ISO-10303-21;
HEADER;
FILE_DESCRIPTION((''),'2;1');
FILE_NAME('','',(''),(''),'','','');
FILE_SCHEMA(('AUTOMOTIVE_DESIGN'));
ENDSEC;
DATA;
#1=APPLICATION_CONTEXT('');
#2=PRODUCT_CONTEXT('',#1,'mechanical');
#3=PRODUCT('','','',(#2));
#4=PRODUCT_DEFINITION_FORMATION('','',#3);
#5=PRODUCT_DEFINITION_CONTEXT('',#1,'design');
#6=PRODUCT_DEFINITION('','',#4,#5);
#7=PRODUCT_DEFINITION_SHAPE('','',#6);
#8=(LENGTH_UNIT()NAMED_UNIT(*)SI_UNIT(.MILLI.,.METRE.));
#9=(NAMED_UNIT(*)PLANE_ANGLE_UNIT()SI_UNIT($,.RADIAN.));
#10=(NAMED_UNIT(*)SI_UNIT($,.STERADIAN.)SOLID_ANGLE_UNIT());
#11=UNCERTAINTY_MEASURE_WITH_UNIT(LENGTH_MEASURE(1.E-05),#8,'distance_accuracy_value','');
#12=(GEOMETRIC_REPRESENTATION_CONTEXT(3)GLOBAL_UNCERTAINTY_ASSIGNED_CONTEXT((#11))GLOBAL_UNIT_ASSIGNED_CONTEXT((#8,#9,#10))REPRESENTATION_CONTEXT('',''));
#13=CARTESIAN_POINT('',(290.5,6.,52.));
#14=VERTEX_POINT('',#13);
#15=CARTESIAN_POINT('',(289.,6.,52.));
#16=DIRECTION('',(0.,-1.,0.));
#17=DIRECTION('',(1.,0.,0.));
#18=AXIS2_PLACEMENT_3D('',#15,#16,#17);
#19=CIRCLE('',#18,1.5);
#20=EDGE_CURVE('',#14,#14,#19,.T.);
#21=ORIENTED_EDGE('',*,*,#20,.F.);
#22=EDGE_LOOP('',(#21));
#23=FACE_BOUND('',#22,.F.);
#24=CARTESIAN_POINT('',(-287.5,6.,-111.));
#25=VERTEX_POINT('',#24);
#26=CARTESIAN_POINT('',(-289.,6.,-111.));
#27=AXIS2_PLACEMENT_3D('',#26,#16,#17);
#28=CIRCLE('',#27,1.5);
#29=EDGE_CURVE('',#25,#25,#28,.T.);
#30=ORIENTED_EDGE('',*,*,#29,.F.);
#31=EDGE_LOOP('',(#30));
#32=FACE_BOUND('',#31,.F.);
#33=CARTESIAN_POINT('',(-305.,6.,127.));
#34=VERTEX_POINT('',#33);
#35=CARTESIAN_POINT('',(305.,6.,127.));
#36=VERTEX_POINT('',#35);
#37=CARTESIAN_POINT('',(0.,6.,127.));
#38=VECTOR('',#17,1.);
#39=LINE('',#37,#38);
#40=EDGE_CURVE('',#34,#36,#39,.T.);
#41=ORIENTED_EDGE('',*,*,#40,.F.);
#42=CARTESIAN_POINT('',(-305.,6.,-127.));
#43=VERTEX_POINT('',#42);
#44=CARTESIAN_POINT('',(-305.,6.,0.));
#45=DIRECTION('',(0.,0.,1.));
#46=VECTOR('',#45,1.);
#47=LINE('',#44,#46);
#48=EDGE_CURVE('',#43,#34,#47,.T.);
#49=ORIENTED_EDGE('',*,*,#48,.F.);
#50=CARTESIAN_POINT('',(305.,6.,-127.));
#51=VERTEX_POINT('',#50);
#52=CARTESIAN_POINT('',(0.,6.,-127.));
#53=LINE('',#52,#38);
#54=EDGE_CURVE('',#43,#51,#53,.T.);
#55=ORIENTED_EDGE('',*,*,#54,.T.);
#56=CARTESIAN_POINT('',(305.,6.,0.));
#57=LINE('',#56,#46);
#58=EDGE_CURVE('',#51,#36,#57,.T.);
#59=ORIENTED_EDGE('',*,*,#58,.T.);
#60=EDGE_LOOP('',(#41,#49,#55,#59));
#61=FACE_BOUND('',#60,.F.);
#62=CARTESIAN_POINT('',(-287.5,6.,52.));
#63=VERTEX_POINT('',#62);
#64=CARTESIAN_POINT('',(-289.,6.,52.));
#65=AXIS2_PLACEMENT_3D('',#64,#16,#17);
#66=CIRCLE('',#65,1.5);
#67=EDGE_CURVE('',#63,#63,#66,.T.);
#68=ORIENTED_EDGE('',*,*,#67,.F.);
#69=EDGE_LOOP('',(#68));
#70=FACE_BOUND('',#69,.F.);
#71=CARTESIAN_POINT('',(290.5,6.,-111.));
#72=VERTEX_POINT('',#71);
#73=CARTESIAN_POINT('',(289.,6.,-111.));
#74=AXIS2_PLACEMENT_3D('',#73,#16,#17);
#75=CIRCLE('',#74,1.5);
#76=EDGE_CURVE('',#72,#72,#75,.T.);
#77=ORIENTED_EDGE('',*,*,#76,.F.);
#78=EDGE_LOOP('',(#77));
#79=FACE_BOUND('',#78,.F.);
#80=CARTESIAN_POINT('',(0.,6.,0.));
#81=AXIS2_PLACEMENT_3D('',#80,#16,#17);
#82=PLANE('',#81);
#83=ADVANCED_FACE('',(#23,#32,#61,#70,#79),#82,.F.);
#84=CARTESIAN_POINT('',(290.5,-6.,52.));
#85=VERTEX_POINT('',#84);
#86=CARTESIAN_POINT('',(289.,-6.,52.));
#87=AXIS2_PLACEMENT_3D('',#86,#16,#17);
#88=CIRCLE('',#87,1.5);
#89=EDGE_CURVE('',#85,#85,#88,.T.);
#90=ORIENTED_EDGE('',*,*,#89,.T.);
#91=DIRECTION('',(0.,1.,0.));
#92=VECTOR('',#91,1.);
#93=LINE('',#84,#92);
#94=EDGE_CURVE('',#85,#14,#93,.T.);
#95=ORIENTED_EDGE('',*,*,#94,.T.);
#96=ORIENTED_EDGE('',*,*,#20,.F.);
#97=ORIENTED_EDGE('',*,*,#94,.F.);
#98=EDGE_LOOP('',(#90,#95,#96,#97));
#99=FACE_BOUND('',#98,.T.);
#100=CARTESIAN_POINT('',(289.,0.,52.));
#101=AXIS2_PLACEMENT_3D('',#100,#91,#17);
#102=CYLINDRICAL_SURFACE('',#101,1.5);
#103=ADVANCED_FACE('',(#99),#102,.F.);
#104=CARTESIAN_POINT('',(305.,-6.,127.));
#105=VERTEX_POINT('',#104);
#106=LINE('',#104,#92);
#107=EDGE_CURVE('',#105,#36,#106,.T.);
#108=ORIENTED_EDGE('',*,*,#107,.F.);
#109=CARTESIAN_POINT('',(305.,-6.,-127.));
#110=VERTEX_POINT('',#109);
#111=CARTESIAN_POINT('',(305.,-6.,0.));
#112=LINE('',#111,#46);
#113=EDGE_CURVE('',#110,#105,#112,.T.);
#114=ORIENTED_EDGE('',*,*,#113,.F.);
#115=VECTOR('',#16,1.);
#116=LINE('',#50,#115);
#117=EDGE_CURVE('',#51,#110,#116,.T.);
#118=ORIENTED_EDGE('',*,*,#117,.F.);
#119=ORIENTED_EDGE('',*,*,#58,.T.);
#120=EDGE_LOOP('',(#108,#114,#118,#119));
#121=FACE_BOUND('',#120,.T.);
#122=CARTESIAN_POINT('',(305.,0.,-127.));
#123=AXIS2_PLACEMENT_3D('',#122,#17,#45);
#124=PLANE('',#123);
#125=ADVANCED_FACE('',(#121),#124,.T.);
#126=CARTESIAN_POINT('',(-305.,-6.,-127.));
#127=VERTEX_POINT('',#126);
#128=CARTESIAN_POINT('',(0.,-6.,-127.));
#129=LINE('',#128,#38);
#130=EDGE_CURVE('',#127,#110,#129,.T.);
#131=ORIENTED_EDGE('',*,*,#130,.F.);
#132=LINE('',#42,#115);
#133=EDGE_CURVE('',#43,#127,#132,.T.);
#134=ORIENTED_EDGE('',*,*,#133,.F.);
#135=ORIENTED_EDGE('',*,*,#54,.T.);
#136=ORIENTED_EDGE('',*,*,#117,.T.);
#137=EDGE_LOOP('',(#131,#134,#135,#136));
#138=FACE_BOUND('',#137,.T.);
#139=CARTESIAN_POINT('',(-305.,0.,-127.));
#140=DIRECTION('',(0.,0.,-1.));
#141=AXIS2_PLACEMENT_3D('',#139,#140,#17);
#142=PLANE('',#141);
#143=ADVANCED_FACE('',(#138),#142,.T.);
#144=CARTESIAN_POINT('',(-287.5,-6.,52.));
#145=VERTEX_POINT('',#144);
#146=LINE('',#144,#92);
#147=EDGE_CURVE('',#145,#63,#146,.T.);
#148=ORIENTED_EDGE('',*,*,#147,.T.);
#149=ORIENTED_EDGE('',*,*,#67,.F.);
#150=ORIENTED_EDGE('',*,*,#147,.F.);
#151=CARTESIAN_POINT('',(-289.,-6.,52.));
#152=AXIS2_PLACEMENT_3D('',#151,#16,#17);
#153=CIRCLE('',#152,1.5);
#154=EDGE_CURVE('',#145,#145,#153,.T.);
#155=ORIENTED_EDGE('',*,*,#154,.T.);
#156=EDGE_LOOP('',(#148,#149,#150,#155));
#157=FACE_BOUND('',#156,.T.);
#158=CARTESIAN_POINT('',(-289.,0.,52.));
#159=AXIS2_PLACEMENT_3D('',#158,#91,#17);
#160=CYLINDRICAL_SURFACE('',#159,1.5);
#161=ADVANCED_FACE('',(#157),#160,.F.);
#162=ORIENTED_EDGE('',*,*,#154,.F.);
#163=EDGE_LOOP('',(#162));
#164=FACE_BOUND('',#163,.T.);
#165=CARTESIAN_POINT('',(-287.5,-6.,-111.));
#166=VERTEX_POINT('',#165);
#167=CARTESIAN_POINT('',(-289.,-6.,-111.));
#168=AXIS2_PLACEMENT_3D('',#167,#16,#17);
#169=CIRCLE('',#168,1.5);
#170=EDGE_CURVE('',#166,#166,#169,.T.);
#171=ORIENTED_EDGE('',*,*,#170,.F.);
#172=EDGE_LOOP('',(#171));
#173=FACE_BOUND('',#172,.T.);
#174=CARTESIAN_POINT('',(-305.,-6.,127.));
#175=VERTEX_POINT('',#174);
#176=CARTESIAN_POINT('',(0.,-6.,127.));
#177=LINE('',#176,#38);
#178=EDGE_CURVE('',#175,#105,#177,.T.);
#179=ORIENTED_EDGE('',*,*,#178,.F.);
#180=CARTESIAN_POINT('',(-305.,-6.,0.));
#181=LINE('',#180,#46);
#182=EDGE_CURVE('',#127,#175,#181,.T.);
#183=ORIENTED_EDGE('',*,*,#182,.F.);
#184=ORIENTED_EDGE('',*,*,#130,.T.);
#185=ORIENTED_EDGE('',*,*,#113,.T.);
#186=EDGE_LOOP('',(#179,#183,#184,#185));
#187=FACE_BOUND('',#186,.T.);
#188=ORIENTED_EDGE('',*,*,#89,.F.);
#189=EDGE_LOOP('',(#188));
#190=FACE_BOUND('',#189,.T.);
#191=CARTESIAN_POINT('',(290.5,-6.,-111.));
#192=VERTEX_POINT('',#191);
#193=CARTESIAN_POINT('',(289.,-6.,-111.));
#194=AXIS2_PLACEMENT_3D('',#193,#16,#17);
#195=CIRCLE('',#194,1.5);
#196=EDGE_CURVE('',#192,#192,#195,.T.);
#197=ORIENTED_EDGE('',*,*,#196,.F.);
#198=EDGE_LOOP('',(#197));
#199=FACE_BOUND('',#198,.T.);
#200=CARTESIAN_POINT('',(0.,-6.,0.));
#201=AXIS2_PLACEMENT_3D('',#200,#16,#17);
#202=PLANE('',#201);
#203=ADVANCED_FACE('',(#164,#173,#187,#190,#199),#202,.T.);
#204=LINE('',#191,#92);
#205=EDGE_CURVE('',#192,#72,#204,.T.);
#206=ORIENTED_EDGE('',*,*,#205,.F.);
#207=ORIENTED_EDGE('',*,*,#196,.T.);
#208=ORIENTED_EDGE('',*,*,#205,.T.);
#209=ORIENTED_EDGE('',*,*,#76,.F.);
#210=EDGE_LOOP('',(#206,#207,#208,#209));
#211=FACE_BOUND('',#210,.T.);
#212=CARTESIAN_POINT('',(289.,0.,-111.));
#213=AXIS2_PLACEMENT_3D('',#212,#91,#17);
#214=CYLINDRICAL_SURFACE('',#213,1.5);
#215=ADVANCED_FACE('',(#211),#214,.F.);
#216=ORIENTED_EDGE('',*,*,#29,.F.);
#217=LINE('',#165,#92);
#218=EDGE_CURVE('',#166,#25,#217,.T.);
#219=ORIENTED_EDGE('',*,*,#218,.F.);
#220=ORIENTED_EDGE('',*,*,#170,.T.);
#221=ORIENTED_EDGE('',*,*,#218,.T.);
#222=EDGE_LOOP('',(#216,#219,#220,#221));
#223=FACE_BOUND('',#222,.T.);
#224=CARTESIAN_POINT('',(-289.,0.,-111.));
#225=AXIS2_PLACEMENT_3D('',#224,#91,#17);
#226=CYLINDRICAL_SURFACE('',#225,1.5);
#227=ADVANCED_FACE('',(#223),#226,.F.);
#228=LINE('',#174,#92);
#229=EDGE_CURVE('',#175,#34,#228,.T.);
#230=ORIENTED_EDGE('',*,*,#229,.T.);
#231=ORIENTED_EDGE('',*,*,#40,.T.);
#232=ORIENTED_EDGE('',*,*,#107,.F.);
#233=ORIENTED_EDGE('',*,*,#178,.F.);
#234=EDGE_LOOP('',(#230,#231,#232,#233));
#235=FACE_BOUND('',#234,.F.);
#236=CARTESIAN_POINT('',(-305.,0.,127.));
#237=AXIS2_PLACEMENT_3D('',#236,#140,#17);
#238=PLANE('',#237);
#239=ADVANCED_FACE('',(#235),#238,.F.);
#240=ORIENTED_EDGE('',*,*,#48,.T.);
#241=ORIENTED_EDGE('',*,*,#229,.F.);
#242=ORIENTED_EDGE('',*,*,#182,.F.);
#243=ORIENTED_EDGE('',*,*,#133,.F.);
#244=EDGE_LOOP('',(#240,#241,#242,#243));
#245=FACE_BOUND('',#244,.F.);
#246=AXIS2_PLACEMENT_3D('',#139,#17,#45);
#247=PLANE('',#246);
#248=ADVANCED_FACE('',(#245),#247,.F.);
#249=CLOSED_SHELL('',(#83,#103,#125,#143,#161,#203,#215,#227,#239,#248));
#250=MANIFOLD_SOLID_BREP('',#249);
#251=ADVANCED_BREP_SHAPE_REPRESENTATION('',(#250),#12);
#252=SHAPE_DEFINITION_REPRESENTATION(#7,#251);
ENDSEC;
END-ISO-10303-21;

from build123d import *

# Parameters (mm, degrees)
F0_W     = 610
F0_H     = 254
F0_R     = 1.5
F1_DEPTH = 6


with BuildPart() as f1:
    # F0 (on Front) → F1 (new body, symmetric)
    with BuildSketch(Plane.XZ):
        Rectangle(F0_W, F0_H)
        with Locations((-289, -111)):
            Circle(F0_R, mode=Mode.SUBTRACT)
        with Locations((289, -111)):
            Circle(F0_R, mode=Mode.SUBTRACT)
        with Locations((-289, 52)):
            Circle(F0_R, mode=Mode.SUBTRACT)
        with Locations((289, 52)):
            Circle(F0_R, mode=Mode.SUBTRACT)
    extrude(amount=F1_DEPTH, both=True)


solid = f1.part
